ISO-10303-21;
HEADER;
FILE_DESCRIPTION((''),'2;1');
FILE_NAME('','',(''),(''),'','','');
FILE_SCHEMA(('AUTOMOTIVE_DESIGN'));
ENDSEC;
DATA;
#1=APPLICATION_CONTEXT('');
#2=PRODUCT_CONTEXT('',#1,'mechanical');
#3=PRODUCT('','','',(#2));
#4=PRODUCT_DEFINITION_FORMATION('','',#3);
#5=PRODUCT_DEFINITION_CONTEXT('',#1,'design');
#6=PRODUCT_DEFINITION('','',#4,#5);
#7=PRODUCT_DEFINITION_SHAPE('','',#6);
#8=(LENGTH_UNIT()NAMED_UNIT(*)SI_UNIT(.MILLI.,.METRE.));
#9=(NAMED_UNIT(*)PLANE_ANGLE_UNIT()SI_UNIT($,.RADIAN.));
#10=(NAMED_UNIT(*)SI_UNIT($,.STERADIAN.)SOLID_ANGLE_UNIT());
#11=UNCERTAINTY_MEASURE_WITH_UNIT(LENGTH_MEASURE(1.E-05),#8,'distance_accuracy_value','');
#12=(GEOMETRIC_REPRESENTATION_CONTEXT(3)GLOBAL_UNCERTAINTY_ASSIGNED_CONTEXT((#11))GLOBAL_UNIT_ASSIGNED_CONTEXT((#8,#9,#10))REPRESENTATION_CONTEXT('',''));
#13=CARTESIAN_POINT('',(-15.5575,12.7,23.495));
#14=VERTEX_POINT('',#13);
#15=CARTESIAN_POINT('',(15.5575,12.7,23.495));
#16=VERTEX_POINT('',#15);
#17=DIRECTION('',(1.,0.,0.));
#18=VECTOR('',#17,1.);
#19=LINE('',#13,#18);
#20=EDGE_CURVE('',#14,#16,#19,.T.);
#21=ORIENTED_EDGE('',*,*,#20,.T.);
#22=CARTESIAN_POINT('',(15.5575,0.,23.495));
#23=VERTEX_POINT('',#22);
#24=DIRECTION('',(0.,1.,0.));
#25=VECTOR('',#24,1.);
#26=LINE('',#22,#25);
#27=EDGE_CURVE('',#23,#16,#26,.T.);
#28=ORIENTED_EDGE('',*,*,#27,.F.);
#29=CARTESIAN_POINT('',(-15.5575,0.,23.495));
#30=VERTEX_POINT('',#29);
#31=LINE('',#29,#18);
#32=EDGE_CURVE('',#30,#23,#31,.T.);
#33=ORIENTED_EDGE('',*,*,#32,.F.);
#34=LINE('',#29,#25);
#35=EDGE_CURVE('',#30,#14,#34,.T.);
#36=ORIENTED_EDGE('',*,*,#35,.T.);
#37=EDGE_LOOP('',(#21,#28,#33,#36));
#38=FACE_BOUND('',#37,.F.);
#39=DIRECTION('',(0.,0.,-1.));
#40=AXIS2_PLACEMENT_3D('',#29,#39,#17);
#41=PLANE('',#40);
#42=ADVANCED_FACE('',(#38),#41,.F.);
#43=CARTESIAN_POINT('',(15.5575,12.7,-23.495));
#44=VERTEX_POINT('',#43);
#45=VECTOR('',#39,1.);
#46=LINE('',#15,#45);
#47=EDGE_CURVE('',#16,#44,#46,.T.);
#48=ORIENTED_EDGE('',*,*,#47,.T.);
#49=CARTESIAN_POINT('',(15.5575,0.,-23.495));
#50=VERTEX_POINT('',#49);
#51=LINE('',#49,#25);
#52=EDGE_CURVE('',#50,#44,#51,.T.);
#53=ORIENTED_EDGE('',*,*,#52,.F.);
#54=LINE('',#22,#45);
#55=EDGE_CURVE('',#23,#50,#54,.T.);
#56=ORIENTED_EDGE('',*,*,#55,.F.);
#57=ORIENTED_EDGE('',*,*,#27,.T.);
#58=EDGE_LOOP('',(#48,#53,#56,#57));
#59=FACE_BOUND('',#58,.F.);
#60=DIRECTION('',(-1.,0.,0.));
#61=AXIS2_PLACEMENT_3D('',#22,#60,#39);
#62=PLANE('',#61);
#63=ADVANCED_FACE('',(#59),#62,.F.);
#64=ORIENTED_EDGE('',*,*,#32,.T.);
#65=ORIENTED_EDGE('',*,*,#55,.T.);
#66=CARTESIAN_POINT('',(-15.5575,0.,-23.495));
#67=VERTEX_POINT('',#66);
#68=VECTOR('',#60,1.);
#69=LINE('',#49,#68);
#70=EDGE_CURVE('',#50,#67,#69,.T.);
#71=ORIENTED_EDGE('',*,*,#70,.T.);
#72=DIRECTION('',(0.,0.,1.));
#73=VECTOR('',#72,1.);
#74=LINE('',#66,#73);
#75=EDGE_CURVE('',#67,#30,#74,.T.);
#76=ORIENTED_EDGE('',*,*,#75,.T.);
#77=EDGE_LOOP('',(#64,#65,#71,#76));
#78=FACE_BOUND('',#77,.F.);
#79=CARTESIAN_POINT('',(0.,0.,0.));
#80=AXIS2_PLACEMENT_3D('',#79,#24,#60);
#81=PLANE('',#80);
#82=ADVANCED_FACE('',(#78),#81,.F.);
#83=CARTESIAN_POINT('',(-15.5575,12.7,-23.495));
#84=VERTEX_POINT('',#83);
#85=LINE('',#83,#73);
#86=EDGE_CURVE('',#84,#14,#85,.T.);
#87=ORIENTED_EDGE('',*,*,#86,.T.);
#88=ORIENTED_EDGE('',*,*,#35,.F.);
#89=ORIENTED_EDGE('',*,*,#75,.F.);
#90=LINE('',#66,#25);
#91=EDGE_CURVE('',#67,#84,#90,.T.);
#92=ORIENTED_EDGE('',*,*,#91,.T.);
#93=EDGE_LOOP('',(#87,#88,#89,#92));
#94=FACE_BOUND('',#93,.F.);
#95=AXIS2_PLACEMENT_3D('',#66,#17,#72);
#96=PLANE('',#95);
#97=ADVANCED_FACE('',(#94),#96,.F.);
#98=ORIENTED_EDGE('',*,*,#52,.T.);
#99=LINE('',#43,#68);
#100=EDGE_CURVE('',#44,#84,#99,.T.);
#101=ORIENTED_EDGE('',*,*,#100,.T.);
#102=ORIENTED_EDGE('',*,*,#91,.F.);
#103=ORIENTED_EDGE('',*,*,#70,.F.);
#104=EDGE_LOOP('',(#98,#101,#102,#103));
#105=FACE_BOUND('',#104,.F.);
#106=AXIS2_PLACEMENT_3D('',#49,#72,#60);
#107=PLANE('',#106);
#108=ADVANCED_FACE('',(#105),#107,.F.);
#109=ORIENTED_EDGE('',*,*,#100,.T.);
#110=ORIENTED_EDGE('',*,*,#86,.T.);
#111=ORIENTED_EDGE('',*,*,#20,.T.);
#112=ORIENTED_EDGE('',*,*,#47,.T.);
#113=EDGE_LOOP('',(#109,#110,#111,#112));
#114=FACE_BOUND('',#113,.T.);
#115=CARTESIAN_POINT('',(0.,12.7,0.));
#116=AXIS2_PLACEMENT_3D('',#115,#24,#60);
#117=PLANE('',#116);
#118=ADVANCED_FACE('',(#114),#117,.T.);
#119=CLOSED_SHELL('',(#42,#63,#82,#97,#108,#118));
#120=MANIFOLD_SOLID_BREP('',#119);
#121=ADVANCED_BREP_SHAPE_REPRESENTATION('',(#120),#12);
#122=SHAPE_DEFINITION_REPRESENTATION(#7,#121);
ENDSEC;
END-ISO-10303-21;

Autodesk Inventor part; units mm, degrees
ref_plane "YZ Plane" through (0, 0, 0) normal (1, 0, 0) x (0, 1, 0)
ref_plane "XZ Plane" through (0, 0, 0) normal (0, 1, 0) x (-1, 0, 0)
ref_plane "XY Plane" through (0, 0, 0) normal (0, 0, 1) x (1, 0, 0)
sketch "Sketch1" plane through (0, 0, 0) normal (0, 1, 0) x (-1, 0, 0)
  line L0 (-15.5575, -23.495) -> (15.5575, -23.495)
  line L1 (15.5575, -23.495) -> (15.5575, 23.495)
  line L2 (15.5575, 23.495) -> (-15.5575, 23.495)
  line L3 (-15.5575, 23.495) -> (-15.5575, -23.495)
  line L4 (-15.5575, -23.495) -> (15.5575, 23.495) construction
  line L5 (15.5575, -23.495) -> (-15.5575, 23.495) construction
  point P0 (0, 0)
  dimension "d0" = 46.99
  dimension "d1" = 31.115
extrude "Extrusion1" add sketch "Sketch1" along normal blind 12.7
properties part number "Fixture_Base_Support"
